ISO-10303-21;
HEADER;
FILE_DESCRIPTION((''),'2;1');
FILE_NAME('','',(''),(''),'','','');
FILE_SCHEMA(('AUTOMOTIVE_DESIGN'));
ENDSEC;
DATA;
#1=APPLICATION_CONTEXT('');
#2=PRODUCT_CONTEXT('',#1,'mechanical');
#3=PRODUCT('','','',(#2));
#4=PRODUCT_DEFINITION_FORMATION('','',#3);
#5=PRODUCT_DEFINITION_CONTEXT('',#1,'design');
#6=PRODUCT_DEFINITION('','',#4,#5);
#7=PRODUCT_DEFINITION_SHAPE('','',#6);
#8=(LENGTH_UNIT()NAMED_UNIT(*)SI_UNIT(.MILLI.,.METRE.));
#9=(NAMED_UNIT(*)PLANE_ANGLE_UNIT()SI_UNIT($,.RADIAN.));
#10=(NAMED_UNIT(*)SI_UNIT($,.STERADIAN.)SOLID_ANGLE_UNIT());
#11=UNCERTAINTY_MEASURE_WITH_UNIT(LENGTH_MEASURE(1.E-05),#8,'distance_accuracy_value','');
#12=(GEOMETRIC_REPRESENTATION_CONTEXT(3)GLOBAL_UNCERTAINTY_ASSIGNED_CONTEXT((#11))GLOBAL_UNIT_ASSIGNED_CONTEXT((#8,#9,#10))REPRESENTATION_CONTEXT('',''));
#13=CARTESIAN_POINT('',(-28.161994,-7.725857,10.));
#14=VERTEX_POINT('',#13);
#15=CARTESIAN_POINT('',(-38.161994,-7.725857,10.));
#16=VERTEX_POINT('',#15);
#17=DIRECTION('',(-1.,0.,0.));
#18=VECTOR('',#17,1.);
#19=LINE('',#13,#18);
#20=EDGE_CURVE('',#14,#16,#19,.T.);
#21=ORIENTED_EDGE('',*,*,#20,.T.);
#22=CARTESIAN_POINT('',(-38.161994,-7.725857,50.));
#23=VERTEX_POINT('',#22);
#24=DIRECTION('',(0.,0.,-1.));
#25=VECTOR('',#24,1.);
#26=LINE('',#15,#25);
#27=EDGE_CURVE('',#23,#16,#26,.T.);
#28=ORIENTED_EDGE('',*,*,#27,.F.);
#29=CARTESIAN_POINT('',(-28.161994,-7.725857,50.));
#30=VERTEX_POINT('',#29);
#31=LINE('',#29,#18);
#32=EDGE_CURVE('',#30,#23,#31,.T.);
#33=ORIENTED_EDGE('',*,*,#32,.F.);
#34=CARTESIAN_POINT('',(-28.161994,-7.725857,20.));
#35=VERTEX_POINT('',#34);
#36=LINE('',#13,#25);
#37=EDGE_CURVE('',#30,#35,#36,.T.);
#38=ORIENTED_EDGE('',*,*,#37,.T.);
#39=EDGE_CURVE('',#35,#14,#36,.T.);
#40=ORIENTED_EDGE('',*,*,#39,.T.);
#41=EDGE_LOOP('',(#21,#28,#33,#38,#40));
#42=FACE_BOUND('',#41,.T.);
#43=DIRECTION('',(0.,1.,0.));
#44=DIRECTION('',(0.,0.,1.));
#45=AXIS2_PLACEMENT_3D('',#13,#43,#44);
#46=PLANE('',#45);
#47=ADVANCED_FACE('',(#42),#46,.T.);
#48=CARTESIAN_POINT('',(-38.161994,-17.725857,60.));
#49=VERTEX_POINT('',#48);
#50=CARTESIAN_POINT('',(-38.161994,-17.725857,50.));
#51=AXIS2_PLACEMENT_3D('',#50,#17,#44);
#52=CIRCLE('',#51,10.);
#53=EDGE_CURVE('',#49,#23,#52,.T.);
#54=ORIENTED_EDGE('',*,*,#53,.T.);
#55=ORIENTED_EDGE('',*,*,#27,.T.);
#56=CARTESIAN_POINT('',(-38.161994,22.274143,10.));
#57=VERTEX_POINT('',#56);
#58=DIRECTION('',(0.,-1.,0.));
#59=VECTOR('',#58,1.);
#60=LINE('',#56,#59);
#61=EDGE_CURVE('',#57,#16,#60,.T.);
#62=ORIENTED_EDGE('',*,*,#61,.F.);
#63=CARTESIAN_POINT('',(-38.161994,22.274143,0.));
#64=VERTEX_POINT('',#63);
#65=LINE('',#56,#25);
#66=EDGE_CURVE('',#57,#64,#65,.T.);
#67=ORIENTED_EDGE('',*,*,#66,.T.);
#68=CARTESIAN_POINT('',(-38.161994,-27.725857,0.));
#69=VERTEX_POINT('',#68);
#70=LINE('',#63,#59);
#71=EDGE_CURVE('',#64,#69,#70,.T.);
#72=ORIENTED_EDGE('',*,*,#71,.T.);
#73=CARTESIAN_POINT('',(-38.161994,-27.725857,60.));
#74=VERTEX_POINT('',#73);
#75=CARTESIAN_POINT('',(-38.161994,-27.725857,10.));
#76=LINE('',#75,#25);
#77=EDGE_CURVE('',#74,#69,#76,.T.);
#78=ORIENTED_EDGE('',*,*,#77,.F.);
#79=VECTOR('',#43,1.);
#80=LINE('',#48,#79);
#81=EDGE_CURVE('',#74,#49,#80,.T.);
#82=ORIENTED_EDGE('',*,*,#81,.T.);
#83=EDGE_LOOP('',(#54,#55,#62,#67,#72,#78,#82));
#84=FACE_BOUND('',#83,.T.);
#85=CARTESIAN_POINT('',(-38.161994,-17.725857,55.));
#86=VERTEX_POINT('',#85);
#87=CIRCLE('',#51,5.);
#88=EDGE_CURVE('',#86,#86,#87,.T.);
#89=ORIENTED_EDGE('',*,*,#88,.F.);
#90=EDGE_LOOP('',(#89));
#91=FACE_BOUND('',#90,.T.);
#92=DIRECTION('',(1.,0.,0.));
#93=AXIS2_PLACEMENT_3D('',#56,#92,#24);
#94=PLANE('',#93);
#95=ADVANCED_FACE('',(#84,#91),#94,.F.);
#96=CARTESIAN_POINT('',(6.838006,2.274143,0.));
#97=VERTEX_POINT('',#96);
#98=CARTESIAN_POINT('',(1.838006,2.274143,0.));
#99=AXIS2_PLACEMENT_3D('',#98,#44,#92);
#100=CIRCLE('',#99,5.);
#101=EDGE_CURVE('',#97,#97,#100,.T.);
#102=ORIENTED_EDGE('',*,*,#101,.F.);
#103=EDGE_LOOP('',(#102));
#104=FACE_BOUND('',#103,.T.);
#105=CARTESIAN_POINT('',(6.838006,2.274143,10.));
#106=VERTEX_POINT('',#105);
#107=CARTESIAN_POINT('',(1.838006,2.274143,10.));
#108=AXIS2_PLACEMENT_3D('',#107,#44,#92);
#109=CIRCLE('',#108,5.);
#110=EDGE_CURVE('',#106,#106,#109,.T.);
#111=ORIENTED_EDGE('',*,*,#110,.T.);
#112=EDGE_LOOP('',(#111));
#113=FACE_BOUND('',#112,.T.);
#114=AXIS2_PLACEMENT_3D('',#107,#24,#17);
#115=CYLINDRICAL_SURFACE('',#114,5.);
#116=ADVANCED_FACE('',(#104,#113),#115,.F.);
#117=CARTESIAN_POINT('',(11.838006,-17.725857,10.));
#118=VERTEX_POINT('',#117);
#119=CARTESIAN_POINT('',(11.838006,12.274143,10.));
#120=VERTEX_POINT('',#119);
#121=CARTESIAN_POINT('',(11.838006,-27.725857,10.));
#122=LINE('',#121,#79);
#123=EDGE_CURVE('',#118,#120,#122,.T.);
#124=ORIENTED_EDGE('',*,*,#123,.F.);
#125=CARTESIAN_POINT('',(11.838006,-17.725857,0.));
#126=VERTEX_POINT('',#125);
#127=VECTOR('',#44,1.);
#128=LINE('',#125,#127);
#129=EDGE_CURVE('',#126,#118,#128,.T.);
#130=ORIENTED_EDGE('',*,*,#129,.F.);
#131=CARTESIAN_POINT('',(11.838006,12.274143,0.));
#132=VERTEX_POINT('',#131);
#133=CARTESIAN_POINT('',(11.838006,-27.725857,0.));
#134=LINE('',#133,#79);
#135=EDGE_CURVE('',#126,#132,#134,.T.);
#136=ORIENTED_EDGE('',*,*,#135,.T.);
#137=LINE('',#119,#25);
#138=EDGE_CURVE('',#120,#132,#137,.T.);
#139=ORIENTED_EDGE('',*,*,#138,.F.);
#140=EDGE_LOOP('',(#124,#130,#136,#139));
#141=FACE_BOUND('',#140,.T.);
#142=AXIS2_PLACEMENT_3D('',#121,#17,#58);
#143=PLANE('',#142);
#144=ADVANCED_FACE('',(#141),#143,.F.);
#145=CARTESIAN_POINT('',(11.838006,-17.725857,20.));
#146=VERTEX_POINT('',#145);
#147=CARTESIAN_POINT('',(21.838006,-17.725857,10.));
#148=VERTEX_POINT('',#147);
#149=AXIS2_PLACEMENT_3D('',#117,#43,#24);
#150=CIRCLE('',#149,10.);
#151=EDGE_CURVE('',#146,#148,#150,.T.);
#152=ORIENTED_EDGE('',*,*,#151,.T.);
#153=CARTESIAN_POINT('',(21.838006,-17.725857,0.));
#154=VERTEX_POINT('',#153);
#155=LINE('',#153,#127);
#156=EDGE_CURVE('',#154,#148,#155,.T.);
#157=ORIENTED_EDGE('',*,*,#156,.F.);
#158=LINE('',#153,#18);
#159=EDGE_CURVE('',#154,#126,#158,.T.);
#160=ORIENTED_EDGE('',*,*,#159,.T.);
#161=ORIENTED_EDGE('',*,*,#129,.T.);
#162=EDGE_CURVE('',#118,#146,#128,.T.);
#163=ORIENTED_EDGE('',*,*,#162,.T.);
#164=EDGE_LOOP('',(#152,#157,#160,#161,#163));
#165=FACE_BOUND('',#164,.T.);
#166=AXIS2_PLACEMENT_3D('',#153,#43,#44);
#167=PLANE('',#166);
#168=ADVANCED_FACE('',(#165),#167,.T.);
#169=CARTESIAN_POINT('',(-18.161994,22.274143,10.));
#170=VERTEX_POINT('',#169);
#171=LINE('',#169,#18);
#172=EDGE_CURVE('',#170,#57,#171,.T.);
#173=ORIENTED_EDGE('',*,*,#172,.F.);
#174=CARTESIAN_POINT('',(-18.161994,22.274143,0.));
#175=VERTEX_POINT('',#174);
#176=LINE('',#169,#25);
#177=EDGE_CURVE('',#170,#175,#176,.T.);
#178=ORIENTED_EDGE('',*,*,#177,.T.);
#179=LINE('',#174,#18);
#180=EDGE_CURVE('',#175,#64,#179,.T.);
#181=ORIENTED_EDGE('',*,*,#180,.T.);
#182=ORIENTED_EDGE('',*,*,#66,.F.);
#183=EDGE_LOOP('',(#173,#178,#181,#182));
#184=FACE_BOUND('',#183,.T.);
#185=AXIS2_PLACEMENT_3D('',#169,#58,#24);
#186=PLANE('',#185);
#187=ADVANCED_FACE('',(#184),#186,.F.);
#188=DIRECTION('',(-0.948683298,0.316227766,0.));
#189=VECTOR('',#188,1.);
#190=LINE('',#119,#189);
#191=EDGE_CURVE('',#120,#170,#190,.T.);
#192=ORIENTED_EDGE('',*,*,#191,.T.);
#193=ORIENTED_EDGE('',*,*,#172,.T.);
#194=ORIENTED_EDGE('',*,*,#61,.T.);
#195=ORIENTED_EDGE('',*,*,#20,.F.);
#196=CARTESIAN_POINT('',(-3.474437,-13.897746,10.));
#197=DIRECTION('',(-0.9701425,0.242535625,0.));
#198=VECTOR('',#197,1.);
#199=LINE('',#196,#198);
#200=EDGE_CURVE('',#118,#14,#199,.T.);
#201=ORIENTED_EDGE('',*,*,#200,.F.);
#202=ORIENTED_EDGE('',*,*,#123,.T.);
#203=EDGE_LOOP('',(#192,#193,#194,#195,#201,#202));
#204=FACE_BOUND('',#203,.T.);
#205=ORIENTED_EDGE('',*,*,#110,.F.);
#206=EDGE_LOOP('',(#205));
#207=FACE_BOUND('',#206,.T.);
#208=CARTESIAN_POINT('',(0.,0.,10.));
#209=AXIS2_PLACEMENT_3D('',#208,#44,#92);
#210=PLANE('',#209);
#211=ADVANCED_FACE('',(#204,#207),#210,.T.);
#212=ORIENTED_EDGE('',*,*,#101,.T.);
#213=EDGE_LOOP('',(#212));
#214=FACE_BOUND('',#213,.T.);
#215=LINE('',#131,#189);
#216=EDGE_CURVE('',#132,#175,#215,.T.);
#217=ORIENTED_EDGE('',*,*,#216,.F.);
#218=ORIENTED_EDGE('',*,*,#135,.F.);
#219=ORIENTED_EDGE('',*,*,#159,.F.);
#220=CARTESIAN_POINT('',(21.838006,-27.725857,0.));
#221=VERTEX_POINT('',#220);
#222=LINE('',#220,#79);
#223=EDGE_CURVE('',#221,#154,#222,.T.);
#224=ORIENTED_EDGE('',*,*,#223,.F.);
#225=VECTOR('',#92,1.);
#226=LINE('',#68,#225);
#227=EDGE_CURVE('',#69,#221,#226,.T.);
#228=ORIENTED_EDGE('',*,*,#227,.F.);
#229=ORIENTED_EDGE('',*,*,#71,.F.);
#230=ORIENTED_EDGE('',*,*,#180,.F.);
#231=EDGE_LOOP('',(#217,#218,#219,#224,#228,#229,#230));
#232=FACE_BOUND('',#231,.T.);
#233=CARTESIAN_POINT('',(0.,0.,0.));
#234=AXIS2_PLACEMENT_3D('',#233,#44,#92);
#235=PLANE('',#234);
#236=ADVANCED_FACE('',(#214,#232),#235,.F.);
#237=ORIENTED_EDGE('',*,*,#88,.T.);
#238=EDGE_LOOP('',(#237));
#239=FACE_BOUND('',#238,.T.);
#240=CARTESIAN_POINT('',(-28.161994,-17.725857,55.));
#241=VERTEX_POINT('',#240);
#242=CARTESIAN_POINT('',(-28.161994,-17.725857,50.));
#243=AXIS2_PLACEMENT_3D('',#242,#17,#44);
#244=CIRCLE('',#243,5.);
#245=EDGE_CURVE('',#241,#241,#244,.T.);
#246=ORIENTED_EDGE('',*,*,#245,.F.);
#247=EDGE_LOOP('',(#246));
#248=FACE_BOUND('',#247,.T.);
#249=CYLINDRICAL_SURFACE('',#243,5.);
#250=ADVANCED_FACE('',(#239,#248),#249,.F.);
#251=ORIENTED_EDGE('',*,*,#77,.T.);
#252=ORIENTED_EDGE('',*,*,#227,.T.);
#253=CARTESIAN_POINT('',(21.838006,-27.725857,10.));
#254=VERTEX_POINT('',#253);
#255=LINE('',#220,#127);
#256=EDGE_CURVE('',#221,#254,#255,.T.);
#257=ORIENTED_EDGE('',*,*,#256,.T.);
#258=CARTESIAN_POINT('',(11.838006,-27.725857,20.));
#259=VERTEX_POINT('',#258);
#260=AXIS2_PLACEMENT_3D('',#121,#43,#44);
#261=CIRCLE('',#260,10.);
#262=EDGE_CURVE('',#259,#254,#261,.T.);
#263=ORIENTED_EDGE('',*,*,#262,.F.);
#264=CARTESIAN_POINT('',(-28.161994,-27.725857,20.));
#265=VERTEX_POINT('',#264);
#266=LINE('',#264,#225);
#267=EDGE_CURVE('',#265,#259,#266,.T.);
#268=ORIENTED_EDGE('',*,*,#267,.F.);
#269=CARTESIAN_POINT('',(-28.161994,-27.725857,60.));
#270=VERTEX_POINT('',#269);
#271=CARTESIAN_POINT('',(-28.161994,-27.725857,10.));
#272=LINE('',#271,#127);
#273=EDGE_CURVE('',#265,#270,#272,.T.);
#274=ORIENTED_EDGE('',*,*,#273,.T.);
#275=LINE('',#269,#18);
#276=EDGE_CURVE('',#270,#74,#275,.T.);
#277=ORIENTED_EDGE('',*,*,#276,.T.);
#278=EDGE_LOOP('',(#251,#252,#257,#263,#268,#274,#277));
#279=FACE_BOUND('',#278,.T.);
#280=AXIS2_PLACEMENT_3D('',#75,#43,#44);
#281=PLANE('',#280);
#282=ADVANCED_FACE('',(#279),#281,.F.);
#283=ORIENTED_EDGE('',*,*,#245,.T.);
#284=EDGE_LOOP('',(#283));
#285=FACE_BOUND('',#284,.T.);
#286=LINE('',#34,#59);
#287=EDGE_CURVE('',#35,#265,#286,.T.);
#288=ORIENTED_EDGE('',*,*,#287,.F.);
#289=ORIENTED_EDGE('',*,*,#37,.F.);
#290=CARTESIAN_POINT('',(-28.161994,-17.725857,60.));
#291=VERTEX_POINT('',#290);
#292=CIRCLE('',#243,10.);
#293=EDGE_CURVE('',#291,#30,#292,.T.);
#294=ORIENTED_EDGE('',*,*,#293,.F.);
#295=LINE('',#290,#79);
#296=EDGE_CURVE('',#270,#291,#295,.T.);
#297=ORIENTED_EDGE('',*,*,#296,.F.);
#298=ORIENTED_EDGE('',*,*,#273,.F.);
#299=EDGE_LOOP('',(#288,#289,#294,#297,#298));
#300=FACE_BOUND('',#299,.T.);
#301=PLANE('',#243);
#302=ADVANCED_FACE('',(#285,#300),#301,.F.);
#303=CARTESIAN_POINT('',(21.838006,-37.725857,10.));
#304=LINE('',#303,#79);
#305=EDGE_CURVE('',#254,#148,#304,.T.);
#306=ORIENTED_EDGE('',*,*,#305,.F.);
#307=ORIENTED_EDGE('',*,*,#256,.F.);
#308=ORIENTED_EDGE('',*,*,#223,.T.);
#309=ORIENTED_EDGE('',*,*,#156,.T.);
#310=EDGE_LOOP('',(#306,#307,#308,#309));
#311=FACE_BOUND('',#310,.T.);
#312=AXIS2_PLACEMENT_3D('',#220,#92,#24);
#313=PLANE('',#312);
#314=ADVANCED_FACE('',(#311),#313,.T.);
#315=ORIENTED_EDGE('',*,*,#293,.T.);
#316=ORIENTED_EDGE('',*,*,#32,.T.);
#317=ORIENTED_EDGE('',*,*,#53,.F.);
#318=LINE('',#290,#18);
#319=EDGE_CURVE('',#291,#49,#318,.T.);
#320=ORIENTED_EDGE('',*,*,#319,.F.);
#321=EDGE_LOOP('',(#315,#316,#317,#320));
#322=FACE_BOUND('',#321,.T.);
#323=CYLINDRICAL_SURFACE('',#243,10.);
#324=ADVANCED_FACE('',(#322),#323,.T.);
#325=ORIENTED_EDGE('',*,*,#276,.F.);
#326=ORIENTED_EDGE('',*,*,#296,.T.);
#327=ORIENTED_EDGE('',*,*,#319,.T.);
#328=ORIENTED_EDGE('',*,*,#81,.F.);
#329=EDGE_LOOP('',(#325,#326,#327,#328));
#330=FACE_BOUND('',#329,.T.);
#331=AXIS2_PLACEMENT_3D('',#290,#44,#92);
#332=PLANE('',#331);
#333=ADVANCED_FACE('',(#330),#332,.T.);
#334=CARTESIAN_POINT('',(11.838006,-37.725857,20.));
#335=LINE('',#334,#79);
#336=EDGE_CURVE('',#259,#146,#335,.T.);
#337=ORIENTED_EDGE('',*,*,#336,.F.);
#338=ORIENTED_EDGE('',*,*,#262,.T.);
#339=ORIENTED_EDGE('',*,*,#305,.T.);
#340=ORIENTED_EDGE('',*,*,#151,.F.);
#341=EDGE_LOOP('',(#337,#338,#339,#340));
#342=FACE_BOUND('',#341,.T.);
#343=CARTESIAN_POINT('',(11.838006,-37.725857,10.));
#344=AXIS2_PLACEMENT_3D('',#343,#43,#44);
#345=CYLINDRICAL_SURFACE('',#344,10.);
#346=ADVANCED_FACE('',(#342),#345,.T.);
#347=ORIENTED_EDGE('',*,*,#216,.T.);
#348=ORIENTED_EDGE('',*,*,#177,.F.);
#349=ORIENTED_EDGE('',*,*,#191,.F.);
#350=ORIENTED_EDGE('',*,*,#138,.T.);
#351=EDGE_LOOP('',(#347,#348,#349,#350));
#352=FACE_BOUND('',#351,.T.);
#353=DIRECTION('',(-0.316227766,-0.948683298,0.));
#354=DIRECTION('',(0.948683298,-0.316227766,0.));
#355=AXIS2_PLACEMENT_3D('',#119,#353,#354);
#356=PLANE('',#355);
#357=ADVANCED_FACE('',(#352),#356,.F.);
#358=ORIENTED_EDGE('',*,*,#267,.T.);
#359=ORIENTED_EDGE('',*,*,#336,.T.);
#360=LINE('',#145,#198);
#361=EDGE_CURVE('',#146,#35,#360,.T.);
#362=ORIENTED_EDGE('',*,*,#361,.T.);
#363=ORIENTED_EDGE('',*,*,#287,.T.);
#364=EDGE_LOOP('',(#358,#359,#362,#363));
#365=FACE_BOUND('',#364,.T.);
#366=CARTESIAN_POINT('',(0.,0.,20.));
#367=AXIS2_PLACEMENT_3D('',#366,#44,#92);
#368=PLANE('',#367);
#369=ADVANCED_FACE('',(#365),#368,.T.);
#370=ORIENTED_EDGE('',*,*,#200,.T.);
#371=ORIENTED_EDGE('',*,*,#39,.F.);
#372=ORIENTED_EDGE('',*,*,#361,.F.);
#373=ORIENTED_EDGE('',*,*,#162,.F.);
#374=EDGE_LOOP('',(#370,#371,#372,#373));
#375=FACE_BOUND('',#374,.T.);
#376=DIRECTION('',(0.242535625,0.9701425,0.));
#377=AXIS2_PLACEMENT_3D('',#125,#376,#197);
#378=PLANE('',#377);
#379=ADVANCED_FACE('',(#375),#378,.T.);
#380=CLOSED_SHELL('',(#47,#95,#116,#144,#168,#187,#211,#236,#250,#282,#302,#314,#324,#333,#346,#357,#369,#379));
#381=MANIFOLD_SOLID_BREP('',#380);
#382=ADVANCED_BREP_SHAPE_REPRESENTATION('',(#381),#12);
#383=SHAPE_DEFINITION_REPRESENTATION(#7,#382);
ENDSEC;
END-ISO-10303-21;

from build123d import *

# Parameters (mm, degrees)
SKETCH2_R           = 5
BOSS_EXTRUDE1_DEPTH = 10
SKETCH4_R           = 5
BOSS_EXTRUDE2_DEPTH = 10
BOSS_EXTRUDE3_DEPTH = 10
SKETCH6_OUTSIDE_W   = 81.698
SKETCH6_OUTSIDE_H   = 81.698
CUT_EXTRUDE1_DEPTH  = 20


with BuildPart() as part:
    # Sketch2 → Boss-Extrude1 (new body)
    with BuildSketch(Plane.XY):
        Polygon((-38.161993769, 22.274143302), (-38.161993769, -27.725856698), (11.838006231, -27.725856698), (11.838006231, 12.274143302), (-18.161993769, 22.274143302), align=None)
        with Locations((1.838006231, 2.274143302)):
            Circle(SKETCH2_R, mode=Mode.SUBTRACT)
    extrude(amount=BOSS_EXTRUDE1_DEPTH)

    # Sketch4 → Boss-Extrude2 (add)
    with BuildSketch(Plane.ZY.offset(38.161993769)):
        with BuildLine():
            Line((10, -7.725856698), (50, -7.725856698))
            ThreePointArc((50, -7.725856698), (57.071067812, -10.654788886), (60, -17.725856698))
            Line((60, -17.725856698), (60, -27.725856698))
            Line((60, -27.725856698), (10, -27.725856698))
            Line((10, -27.725856698), (10, -7.725856698))
        make_face()
        with Locations((50, -17.725856698)):
            Circle(SKETCH4_R, mode=Mode.SUBTRACT)
    extrude(amount=-BOSS_EXTRUDE2_DEPTH)

    # Sketch5 → Boss-Extrude3 (add, symmetric)
    with BuildSketch(Plane.XY.offset(10)):
        Polygon((-28.161993769, -7.725856698), (-28.161993769, -27.725856698), (21.838006231, -27.725856698), (21.838006231, -17.725856698), (11.838006231, -17.725856698), align=None)
    extrude(amount=BOSS_EXTRUDE3_DEPTH, both=True)

    # Sketch6 outside → Cut-Extrude1 (cut)
    with BuildSketch(Plane(origin=(0, -17.725856698, 0), x_dir=(1, 0, 0), z_dir=(0, 1, 0))):
        with Locations((-8.162, -30)):
            Rectangle(SKETCH6_OUTSIDE_W, SKETCH6_OUTSIDE_H)
        with BuildLine():
            Line((21.838006231, 0), (21.838006231, -10))
            ThreePointArc((21.838006231, -10), (18.909074042, -17.071067812), (11.838006231, -20))
            Line((11.838006231, -20), (4.462340435, -20))
            Line((4.462340435, -20), (4.462340435, -63.08469243))
            Line((4.462340435, -63.08469243), (-49.719837023, -63.08469243))
            Line((-49.719837023, -63.08469243), (-49.719837023, 0))
            Line((-49.719837023, 0), (21.838006231, 0))
        make_face(mode=Mode.SUBTRACT)
    extrude(amount=-CUT_EXTRUDE1_DEPTH, mode=Mode.SUBTRACT)


solid = part.part
